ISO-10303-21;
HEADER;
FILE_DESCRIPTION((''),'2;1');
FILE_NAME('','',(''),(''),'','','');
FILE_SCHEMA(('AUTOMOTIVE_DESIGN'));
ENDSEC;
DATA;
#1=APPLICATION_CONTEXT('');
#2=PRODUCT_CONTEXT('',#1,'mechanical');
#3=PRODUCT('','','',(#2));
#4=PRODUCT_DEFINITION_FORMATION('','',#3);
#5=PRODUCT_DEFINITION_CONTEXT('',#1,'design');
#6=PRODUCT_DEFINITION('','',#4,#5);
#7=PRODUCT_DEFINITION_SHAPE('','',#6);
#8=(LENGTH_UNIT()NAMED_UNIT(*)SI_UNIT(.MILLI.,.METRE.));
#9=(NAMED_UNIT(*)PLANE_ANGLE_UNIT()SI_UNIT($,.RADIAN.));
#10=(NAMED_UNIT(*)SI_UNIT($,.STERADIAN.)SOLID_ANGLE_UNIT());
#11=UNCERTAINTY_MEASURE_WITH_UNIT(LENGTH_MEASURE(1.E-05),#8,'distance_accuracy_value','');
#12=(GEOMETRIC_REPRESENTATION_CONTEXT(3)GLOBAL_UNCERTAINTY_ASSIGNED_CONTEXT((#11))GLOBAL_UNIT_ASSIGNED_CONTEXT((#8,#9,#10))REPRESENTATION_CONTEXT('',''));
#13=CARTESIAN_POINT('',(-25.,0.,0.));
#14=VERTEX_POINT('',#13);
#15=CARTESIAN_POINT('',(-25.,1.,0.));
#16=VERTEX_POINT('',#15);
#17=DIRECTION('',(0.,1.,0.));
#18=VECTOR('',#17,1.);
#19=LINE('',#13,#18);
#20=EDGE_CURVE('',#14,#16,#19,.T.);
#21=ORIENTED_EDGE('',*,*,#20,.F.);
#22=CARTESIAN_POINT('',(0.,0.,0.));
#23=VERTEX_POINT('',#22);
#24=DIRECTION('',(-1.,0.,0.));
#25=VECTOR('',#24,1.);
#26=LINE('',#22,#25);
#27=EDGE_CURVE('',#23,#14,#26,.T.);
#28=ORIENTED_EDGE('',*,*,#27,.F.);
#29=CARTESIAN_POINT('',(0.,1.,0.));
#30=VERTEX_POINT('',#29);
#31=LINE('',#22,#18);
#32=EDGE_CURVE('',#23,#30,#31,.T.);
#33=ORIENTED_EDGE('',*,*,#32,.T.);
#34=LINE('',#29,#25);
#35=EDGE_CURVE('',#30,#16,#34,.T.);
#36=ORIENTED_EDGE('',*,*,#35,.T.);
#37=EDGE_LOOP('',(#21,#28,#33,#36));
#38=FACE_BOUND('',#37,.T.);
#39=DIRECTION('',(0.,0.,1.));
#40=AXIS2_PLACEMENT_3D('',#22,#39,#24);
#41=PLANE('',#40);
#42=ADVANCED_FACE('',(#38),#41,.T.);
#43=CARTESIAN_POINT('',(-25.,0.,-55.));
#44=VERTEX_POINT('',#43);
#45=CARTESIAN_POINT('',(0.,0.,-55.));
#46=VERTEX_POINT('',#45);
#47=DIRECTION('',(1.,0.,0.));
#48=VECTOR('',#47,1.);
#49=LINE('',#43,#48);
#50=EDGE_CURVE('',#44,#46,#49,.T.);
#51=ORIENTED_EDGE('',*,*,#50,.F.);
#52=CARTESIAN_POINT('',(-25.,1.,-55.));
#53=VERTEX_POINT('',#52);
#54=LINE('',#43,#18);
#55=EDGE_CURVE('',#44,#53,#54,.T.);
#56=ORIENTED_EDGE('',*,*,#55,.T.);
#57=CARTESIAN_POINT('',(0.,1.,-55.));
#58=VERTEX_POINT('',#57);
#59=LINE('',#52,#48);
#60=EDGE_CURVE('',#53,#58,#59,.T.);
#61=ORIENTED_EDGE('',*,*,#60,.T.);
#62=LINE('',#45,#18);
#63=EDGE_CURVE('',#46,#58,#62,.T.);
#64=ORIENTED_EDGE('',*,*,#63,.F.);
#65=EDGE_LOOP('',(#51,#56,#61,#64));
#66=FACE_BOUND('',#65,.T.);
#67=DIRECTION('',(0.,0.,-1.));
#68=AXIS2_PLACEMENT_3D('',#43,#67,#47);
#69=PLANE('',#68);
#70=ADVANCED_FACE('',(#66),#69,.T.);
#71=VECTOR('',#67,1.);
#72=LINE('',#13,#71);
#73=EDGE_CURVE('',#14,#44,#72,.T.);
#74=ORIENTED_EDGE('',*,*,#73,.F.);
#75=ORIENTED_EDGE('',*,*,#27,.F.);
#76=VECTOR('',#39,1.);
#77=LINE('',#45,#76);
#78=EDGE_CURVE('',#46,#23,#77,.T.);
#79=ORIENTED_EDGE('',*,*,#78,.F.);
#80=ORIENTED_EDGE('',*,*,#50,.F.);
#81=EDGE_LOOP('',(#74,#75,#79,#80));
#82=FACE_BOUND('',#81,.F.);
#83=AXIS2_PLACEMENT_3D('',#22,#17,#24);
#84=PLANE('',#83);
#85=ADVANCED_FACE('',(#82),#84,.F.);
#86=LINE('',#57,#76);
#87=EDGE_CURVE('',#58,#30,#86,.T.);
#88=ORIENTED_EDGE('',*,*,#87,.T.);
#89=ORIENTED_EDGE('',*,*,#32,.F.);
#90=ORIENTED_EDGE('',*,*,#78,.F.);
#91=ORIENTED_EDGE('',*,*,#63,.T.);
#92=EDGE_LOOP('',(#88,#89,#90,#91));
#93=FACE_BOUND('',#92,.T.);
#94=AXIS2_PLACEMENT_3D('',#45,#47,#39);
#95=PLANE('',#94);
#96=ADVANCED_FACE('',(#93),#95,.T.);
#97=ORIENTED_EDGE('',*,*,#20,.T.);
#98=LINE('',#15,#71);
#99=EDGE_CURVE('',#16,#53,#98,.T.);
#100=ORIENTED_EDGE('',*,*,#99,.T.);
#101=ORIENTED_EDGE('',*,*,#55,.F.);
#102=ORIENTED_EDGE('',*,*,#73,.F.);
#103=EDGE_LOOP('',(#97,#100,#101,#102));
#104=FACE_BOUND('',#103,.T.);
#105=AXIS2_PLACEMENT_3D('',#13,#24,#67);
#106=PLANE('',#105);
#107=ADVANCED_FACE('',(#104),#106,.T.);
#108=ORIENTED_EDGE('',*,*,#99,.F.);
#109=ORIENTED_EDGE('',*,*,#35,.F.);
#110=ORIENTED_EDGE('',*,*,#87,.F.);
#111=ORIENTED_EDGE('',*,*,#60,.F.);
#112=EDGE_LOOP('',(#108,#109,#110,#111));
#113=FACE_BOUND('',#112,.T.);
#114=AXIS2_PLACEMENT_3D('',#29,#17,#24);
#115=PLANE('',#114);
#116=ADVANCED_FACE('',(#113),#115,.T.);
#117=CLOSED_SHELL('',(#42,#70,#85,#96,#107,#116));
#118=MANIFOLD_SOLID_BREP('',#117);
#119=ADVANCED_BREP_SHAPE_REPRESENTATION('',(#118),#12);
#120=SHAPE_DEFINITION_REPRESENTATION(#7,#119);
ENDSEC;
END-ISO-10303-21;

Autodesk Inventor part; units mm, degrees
ref_plane "YZ Plane" through (0, 0, 0) normal (1, 0, 0) x (0, 1, 0)
ref_plane "XZ Plane" through (0, 0, 0) normal (0, 1, 0) x (-1, 0, 0)
ref_plane "XY Plane" through (0, 0, 0) normal (0, 0, 1) x (1, 0, 0)
sketch "草图1" plane through (0, 0, 0) normal (0, 1, 0) x (-1, 0, 0)
  line L0 (0, 0) -> (25, 0)
  line L1 (25, 0) -> (25, -55)
  line L2 (25, -55) -> (0, -55)
  line L3 (0, -55) -> (0, 0)
  dimension "d0" = 25
  dimension "d1" = 55
extrude "拉伸1" add sketch "草图1" along normal blind 1
sketch "草图2" plane through (0, 1, 0) normal (0, 1, 0) x (1, 0, 0)
  line L0 (-18.2717, 15.2493) -> (-5.6968, 15.2493) construction
  line L1 (-5.6968, 15.2493) -> (-5.6968, 11.401) construction
  line L2 (-5.6968, 11.401) -> (-18.2717, 11.401) construction
  line L3 (-18.2717, 11.401) -> (-18.2717, 15.2493) construction
properties part number "洞洞板"
